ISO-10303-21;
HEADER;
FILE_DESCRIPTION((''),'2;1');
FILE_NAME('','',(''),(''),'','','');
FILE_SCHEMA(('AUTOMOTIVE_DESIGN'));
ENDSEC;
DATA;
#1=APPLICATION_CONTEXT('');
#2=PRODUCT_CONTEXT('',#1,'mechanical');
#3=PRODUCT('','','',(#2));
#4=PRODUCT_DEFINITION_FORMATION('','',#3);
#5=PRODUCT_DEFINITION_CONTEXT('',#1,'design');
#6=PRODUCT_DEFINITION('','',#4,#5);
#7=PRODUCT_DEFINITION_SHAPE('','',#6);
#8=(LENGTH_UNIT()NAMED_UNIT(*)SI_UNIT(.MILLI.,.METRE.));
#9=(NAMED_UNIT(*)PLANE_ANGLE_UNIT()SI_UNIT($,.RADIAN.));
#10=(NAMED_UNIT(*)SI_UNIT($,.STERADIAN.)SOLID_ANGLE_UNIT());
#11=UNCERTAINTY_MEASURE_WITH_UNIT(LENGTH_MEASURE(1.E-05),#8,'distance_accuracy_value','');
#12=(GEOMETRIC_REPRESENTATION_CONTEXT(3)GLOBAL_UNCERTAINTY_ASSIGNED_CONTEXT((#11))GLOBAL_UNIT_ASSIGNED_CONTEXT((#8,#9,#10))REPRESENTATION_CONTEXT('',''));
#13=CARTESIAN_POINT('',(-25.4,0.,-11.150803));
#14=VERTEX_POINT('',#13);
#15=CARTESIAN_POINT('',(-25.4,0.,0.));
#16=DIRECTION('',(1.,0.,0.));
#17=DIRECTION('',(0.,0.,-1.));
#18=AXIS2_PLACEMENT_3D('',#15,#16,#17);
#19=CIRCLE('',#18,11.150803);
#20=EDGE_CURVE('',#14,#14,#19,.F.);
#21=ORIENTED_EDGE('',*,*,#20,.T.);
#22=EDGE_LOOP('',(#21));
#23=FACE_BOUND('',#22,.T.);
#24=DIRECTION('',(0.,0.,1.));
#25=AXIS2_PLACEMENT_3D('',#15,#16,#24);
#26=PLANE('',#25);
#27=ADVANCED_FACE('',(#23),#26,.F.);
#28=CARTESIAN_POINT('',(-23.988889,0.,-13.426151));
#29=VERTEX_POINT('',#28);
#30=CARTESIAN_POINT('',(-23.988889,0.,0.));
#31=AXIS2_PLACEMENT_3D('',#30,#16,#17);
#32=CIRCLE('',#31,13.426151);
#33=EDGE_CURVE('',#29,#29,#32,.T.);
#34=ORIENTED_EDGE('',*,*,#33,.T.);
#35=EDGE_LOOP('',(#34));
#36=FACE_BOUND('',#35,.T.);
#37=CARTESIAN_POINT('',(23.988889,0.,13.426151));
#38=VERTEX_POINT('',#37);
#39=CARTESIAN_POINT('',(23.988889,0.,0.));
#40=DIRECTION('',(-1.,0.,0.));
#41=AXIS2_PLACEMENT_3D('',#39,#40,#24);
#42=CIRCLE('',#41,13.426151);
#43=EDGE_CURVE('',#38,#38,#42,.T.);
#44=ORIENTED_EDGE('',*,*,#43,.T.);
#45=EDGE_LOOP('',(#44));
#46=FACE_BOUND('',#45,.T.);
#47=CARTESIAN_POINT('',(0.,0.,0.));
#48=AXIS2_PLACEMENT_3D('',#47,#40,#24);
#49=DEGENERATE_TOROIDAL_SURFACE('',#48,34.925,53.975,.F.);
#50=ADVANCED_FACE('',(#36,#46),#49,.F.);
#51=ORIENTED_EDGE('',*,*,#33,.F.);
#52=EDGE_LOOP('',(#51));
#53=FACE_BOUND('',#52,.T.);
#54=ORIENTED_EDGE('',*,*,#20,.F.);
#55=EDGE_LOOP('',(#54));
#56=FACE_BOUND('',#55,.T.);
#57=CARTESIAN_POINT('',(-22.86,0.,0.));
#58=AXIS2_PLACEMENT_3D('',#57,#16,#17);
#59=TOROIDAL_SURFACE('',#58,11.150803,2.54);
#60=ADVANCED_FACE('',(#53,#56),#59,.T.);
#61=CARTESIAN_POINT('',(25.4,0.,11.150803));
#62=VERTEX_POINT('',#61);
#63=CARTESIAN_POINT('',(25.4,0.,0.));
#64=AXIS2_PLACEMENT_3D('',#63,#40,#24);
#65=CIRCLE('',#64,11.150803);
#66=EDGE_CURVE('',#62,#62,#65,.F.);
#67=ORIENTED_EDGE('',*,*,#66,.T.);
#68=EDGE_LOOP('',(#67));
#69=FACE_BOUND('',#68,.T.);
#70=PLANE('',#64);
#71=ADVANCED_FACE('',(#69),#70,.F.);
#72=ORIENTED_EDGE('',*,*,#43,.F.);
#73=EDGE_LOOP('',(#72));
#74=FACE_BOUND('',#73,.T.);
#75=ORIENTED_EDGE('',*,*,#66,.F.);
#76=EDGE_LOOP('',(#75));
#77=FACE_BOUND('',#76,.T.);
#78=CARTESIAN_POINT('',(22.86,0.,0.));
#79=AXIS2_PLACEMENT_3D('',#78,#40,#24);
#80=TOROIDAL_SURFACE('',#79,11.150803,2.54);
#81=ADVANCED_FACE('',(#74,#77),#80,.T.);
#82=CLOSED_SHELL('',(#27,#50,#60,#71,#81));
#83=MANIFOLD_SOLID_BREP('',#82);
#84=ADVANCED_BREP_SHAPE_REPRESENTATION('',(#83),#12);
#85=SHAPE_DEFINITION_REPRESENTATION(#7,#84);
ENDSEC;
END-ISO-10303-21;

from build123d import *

# Parameters (mm, degrees)
FILLET1_R            = 2.54
FILLET1_OF_MIRROR2_R = 2.54


with BuildPart() as part:
    # Sketch1 → Revolve2 (revolve)
    with BuildSketch(Plane.XY):
        with BuildLine():
            ThreePointArc((0, 19.05), (13.090860361, 17.438441445), (25.4, 12.7))
            Line((25.4, 12.7), (25.4, 0))
            Line((25.4, 0), (0, 0))
            Line((0, 0), (0, 19.05))
        make_face()
    revolve2 = revolve(axis=Axis((0, 0, 0), (1, 0, 0)))

    # Fillet1
    fillet1_edges = [part.edges().sort_by_distance(p)[0] for p in [
        (25.4, -12.7, 0),
    ]]
    fillet(fillet1_edges, radius=FILLET1_R)

    # Mirror2: Revolve2 across plane
    add(revolve2.mirror(Plane.ZY))

    # Fillet1 of Mirror2
    fillet1_of_mirror2_edges = [part.edges().sort_by_distance(p)[0] for p in [
        (-25.4, -12.7, 0),
    ]]
    fillet(fillet1_of_mirror2_edges, radius=FILLET1_OF_MIRROR2_R)


solid = part.part
